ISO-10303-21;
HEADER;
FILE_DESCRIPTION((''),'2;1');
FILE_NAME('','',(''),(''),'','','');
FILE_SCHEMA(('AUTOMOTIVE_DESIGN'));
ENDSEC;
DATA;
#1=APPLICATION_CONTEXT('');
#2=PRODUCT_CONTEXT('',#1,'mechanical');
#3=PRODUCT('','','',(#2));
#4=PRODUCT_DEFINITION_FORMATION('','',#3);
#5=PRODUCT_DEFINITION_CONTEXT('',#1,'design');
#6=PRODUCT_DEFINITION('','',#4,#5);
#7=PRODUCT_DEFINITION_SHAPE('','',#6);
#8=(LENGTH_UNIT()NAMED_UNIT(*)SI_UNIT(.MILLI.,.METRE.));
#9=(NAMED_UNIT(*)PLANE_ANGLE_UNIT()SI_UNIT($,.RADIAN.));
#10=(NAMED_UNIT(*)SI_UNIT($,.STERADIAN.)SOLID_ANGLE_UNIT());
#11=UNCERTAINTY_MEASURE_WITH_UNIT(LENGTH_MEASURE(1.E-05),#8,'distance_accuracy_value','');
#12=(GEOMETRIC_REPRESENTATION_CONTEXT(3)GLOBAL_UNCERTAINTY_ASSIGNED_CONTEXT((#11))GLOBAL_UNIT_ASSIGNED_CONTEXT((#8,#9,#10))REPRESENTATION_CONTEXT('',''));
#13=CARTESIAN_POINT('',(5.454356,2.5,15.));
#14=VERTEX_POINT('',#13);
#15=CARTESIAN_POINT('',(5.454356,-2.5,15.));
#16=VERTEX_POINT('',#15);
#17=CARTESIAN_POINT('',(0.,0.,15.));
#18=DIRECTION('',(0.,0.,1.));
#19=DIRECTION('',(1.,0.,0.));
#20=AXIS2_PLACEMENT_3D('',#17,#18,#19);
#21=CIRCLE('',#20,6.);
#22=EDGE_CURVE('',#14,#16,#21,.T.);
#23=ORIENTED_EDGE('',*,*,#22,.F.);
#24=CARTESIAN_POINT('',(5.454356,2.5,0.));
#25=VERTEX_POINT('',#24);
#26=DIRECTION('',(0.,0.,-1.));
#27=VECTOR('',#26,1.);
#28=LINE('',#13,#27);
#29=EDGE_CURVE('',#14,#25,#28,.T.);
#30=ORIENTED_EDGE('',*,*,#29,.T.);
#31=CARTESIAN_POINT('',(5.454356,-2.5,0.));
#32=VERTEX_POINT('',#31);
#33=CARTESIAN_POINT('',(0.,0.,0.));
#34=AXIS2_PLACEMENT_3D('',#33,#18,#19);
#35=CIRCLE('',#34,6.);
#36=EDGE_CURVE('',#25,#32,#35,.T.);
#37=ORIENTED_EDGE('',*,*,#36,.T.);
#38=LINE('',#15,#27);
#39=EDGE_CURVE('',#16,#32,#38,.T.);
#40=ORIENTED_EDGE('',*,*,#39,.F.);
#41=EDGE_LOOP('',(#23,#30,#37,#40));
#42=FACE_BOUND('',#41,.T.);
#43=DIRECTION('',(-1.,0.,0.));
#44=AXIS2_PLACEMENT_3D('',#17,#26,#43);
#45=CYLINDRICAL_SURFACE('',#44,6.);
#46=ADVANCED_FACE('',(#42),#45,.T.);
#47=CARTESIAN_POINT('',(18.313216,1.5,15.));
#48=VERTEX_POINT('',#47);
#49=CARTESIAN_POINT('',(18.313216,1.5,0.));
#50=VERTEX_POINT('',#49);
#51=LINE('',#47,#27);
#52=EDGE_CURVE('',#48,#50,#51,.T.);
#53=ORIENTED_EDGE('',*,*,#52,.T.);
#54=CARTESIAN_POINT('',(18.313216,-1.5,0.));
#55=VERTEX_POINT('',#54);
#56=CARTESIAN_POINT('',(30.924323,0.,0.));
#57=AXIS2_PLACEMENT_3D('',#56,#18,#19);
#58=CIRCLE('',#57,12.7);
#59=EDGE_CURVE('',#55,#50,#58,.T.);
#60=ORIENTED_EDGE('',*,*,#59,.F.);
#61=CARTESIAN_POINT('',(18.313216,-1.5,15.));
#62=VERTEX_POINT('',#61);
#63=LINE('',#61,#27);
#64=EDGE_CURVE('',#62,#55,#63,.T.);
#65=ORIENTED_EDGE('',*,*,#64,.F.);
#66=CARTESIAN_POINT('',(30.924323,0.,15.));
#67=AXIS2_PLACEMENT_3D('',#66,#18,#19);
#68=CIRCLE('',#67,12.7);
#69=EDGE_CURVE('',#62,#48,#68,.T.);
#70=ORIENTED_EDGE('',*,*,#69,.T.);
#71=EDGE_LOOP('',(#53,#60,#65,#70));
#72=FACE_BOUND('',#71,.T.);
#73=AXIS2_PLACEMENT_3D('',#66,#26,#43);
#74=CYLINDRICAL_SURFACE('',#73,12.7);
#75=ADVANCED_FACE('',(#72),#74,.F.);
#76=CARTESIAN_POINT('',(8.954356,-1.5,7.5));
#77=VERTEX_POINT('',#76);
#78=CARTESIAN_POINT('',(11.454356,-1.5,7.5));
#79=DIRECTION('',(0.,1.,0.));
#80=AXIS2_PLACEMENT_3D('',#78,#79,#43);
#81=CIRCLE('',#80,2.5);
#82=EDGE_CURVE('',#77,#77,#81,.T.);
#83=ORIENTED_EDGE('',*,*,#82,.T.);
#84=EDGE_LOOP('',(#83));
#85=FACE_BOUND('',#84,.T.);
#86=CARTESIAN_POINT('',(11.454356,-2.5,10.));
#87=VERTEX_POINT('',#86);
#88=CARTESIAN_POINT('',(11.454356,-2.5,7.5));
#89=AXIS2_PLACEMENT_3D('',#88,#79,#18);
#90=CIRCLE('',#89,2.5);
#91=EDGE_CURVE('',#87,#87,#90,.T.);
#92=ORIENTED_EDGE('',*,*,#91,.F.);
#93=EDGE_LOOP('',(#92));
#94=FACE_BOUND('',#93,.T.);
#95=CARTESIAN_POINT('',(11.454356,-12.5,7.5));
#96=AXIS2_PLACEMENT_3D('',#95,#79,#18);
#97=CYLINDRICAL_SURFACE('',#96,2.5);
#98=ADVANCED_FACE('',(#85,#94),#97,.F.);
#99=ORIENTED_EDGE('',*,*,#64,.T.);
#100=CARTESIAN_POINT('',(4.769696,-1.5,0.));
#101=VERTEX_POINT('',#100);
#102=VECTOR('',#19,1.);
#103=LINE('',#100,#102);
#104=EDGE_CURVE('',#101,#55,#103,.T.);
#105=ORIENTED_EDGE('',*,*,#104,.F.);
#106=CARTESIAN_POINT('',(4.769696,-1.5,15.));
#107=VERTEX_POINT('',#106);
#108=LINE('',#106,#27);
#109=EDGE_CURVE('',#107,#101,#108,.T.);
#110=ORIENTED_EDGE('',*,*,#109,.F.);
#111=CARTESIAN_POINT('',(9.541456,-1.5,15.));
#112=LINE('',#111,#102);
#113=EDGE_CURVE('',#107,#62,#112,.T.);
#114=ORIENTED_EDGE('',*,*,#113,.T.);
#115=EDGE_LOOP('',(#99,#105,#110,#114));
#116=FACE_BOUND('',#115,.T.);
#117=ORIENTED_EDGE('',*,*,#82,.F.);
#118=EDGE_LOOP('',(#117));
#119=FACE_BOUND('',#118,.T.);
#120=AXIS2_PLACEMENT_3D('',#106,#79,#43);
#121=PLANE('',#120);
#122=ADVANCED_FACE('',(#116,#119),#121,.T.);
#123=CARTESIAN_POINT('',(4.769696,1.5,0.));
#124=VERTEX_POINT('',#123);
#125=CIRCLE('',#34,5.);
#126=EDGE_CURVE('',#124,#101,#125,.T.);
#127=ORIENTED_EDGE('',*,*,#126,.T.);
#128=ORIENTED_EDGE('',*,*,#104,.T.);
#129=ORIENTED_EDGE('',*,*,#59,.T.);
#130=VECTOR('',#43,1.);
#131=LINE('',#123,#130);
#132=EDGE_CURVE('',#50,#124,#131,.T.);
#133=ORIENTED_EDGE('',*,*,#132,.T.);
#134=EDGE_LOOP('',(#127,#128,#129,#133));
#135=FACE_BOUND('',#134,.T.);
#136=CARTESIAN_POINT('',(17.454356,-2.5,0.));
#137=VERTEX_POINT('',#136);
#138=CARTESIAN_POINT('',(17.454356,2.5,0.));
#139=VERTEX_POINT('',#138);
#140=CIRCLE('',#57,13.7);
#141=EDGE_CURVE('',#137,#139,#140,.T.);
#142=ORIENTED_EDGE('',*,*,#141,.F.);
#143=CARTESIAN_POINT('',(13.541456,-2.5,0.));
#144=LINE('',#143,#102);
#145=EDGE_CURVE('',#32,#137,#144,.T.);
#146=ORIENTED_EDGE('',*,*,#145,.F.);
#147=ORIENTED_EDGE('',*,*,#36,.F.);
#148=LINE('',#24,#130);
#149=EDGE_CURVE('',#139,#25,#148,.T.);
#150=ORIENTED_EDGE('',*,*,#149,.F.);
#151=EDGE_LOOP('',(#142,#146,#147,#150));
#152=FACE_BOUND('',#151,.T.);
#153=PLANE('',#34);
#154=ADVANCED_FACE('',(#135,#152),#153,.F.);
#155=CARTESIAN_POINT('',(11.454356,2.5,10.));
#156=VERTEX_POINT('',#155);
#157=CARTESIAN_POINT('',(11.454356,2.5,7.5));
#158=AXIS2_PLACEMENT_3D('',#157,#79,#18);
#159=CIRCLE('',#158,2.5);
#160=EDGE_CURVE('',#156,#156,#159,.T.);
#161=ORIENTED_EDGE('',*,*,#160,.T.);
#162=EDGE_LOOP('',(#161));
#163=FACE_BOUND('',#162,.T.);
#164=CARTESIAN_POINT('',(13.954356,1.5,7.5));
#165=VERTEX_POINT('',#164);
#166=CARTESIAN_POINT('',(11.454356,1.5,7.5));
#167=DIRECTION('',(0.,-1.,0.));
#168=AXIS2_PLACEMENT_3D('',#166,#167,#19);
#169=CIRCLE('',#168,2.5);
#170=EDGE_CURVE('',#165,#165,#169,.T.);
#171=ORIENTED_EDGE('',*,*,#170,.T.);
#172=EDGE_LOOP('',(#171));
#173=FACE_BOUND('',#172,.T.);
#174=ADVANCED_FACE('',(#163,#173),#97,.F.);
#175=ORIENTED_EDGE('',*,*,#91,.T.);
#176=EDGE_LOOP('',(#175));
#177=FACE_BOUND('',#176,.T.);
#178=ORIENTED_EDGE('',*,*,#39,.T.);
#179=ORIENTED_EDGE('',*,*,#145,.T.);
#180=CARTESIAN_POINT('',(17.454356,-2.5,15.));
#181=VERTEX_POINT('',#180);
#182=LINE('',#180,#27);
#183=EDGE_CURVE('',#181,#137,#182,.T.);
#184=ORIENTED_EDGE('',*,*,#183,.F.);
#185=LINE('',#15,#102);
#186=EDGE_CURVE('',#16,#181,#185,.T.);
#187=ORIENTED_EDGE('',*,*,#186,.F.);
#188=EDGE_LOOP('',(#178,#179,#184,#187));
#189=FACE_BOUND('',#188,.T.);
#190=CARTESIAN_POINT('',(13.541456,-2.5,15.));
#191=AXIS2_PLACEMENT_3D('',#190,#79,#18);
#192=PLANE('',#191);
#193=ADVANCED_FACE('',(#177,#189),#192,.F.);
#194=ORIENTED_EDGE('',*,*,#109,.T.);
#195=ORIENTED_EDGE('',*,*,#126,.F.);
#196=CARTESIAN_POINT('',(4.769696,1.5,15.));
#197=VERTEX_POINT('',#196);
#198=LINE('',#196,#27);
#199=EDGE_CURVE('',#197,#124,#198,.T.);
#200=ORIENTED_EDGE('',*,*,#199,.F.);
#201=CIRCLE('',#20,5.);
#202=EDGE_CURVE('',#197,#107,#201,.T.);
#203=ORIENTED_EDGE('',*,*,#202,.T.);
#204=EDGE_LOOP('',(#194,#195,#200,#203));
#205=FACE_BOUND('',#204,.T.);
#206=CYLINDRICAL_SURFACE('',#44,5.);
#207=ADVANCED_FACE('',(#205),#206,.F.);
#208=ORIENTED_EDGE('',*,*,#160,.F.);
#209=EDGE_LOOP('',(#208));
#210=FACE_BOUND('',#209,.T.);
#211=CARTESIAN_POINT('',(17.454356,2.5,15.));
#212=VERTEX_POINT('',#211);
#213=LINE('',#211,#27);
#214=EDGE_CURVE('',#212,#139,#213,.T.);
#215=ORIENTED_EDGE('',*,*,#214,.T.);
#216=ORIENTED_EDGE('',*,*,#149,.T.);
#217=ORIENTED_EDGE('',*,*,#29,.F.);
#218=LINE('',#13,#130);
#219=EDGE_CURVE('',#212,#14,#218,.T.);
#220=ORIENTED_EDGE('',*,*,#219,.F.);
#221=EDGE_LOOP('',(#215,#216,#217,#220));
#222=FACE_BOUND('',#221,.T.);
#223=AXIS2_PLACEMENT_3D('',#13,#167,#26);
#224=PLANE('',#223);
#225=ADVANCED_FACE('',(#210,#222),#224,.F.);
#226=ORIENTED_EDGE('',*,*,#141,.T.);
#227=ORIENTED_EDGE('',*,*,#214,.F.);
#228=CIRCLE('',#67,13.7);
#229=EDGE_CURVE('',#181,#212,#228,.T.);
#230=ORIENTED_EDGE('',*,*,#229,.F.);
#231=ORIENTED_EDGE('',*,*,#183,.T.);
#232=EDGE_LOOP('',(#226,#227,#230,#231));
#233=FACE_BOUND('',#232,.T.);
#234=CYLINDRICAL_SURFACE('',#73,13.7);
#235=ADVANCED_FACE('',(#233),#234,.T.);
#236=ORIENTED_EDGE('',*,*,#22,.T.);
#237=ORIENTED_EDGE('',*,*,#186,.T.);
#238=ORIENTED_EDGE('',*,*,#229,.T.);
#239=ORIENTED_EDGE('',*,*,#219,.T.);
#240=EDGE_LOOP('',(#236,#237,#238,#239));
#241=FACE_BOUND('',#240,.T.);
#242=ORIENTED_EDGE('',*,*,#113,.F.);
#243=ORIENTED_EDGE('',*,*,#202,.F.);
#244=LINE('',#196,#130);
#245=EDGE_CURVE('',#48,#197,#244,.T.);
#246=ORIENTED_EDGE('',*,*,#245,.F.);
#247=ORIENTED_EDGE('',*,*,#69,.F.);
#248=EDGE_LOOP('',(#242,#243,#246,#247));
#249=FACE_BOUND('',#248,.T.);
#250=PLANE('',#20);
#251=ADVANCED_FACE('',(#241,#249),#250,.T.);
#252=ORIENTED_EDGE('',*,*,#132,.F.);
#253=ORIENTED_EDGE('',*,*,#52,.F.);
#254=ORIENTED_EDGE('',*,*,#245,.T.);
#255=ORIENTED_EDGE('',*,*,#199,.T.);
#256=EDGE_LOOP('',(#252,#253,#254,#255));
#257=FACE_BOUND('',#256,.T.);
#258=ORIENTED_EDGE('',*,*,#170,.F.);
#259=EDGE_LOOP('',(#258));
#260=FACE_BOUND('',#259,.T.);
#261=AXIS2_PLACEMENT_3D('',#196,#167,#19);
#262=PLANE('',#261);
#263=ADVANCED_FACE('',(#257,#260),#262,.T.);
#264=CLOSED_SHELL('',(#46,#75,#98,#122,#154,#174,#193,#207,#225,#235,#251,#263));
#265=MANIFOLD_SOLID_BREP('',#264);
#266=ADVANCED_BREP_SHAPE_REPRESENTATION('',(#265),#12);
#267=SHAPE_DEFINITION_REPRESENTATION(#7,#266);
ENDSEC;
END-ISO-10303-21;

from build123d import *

# Parameters (mm, degrees)
SALIENTE_EXTRUIR1_DEPTH = 15
CROQUIS2_R              = 2.5
CORTAR_EXTRUIR1_DEPTH   = 15


with BuildPart() as part:
    # Croquis1 → Saliente-Extruir1 (new body)
    with BuildSketch(Plane.XY):
        with BuildLine():
            Line((5.454356057, 2.5), (17.454356057, 2.5))
            ThreePointArc((17.454356057, 2.5), (44.62432265, 0), (17.454356057, -2.5))
            Line((17.454356057, -2.5), (13.54145622, -2.5))
            Line((13.54145622, -2.5), (9.54145622, -2.5))
            Line((9.54145622, -2.5), (5.454356057, -2.5))
            ThreePointArc((5.454356057, -2.5), (-6, 0), (5.454356057, 2.5))
        make_face()
        with BuildLine():
            Line((4.769696007, 1.5), (18.313216433, 1.5))
            ThreePointArc((18.313216433, 1.5), (43.62432265, 0), (18.313216433, -1.5))
            Line((18.313216433, -1.5), (13.54145622, -1.5))
            Line((13.54145622, -1.5), (9.54145622, -1.5))
            Line((9.54145622, -1.5), (4.769696007, -1.5))
            ThreePointArc((4.769696007, -1.5), (-5, 0), (4.769696007, 1.5))
        make_face(mode=Mode.SUBTRACT)
    extrude(amount=SALIENTE_EXTRUIR1_DEPTH)

    # Croquis2 → Cortar-Extruir1 (cut)
    with BuildSketch(Plane(origin=(0, 2.5, 0), x_dir=(1, 0, 0), z_dir=(0, 1, 0))):
        with Locations(Location((11.454356057, -7.5, 0), (0, 0, 270))):
            Circle(CROQUIS2_R)
    extrude(amount=-CORTAR_EXTRUIR1_DEPTH, mode=Mode.SUBTRACT)


solid = part.part
